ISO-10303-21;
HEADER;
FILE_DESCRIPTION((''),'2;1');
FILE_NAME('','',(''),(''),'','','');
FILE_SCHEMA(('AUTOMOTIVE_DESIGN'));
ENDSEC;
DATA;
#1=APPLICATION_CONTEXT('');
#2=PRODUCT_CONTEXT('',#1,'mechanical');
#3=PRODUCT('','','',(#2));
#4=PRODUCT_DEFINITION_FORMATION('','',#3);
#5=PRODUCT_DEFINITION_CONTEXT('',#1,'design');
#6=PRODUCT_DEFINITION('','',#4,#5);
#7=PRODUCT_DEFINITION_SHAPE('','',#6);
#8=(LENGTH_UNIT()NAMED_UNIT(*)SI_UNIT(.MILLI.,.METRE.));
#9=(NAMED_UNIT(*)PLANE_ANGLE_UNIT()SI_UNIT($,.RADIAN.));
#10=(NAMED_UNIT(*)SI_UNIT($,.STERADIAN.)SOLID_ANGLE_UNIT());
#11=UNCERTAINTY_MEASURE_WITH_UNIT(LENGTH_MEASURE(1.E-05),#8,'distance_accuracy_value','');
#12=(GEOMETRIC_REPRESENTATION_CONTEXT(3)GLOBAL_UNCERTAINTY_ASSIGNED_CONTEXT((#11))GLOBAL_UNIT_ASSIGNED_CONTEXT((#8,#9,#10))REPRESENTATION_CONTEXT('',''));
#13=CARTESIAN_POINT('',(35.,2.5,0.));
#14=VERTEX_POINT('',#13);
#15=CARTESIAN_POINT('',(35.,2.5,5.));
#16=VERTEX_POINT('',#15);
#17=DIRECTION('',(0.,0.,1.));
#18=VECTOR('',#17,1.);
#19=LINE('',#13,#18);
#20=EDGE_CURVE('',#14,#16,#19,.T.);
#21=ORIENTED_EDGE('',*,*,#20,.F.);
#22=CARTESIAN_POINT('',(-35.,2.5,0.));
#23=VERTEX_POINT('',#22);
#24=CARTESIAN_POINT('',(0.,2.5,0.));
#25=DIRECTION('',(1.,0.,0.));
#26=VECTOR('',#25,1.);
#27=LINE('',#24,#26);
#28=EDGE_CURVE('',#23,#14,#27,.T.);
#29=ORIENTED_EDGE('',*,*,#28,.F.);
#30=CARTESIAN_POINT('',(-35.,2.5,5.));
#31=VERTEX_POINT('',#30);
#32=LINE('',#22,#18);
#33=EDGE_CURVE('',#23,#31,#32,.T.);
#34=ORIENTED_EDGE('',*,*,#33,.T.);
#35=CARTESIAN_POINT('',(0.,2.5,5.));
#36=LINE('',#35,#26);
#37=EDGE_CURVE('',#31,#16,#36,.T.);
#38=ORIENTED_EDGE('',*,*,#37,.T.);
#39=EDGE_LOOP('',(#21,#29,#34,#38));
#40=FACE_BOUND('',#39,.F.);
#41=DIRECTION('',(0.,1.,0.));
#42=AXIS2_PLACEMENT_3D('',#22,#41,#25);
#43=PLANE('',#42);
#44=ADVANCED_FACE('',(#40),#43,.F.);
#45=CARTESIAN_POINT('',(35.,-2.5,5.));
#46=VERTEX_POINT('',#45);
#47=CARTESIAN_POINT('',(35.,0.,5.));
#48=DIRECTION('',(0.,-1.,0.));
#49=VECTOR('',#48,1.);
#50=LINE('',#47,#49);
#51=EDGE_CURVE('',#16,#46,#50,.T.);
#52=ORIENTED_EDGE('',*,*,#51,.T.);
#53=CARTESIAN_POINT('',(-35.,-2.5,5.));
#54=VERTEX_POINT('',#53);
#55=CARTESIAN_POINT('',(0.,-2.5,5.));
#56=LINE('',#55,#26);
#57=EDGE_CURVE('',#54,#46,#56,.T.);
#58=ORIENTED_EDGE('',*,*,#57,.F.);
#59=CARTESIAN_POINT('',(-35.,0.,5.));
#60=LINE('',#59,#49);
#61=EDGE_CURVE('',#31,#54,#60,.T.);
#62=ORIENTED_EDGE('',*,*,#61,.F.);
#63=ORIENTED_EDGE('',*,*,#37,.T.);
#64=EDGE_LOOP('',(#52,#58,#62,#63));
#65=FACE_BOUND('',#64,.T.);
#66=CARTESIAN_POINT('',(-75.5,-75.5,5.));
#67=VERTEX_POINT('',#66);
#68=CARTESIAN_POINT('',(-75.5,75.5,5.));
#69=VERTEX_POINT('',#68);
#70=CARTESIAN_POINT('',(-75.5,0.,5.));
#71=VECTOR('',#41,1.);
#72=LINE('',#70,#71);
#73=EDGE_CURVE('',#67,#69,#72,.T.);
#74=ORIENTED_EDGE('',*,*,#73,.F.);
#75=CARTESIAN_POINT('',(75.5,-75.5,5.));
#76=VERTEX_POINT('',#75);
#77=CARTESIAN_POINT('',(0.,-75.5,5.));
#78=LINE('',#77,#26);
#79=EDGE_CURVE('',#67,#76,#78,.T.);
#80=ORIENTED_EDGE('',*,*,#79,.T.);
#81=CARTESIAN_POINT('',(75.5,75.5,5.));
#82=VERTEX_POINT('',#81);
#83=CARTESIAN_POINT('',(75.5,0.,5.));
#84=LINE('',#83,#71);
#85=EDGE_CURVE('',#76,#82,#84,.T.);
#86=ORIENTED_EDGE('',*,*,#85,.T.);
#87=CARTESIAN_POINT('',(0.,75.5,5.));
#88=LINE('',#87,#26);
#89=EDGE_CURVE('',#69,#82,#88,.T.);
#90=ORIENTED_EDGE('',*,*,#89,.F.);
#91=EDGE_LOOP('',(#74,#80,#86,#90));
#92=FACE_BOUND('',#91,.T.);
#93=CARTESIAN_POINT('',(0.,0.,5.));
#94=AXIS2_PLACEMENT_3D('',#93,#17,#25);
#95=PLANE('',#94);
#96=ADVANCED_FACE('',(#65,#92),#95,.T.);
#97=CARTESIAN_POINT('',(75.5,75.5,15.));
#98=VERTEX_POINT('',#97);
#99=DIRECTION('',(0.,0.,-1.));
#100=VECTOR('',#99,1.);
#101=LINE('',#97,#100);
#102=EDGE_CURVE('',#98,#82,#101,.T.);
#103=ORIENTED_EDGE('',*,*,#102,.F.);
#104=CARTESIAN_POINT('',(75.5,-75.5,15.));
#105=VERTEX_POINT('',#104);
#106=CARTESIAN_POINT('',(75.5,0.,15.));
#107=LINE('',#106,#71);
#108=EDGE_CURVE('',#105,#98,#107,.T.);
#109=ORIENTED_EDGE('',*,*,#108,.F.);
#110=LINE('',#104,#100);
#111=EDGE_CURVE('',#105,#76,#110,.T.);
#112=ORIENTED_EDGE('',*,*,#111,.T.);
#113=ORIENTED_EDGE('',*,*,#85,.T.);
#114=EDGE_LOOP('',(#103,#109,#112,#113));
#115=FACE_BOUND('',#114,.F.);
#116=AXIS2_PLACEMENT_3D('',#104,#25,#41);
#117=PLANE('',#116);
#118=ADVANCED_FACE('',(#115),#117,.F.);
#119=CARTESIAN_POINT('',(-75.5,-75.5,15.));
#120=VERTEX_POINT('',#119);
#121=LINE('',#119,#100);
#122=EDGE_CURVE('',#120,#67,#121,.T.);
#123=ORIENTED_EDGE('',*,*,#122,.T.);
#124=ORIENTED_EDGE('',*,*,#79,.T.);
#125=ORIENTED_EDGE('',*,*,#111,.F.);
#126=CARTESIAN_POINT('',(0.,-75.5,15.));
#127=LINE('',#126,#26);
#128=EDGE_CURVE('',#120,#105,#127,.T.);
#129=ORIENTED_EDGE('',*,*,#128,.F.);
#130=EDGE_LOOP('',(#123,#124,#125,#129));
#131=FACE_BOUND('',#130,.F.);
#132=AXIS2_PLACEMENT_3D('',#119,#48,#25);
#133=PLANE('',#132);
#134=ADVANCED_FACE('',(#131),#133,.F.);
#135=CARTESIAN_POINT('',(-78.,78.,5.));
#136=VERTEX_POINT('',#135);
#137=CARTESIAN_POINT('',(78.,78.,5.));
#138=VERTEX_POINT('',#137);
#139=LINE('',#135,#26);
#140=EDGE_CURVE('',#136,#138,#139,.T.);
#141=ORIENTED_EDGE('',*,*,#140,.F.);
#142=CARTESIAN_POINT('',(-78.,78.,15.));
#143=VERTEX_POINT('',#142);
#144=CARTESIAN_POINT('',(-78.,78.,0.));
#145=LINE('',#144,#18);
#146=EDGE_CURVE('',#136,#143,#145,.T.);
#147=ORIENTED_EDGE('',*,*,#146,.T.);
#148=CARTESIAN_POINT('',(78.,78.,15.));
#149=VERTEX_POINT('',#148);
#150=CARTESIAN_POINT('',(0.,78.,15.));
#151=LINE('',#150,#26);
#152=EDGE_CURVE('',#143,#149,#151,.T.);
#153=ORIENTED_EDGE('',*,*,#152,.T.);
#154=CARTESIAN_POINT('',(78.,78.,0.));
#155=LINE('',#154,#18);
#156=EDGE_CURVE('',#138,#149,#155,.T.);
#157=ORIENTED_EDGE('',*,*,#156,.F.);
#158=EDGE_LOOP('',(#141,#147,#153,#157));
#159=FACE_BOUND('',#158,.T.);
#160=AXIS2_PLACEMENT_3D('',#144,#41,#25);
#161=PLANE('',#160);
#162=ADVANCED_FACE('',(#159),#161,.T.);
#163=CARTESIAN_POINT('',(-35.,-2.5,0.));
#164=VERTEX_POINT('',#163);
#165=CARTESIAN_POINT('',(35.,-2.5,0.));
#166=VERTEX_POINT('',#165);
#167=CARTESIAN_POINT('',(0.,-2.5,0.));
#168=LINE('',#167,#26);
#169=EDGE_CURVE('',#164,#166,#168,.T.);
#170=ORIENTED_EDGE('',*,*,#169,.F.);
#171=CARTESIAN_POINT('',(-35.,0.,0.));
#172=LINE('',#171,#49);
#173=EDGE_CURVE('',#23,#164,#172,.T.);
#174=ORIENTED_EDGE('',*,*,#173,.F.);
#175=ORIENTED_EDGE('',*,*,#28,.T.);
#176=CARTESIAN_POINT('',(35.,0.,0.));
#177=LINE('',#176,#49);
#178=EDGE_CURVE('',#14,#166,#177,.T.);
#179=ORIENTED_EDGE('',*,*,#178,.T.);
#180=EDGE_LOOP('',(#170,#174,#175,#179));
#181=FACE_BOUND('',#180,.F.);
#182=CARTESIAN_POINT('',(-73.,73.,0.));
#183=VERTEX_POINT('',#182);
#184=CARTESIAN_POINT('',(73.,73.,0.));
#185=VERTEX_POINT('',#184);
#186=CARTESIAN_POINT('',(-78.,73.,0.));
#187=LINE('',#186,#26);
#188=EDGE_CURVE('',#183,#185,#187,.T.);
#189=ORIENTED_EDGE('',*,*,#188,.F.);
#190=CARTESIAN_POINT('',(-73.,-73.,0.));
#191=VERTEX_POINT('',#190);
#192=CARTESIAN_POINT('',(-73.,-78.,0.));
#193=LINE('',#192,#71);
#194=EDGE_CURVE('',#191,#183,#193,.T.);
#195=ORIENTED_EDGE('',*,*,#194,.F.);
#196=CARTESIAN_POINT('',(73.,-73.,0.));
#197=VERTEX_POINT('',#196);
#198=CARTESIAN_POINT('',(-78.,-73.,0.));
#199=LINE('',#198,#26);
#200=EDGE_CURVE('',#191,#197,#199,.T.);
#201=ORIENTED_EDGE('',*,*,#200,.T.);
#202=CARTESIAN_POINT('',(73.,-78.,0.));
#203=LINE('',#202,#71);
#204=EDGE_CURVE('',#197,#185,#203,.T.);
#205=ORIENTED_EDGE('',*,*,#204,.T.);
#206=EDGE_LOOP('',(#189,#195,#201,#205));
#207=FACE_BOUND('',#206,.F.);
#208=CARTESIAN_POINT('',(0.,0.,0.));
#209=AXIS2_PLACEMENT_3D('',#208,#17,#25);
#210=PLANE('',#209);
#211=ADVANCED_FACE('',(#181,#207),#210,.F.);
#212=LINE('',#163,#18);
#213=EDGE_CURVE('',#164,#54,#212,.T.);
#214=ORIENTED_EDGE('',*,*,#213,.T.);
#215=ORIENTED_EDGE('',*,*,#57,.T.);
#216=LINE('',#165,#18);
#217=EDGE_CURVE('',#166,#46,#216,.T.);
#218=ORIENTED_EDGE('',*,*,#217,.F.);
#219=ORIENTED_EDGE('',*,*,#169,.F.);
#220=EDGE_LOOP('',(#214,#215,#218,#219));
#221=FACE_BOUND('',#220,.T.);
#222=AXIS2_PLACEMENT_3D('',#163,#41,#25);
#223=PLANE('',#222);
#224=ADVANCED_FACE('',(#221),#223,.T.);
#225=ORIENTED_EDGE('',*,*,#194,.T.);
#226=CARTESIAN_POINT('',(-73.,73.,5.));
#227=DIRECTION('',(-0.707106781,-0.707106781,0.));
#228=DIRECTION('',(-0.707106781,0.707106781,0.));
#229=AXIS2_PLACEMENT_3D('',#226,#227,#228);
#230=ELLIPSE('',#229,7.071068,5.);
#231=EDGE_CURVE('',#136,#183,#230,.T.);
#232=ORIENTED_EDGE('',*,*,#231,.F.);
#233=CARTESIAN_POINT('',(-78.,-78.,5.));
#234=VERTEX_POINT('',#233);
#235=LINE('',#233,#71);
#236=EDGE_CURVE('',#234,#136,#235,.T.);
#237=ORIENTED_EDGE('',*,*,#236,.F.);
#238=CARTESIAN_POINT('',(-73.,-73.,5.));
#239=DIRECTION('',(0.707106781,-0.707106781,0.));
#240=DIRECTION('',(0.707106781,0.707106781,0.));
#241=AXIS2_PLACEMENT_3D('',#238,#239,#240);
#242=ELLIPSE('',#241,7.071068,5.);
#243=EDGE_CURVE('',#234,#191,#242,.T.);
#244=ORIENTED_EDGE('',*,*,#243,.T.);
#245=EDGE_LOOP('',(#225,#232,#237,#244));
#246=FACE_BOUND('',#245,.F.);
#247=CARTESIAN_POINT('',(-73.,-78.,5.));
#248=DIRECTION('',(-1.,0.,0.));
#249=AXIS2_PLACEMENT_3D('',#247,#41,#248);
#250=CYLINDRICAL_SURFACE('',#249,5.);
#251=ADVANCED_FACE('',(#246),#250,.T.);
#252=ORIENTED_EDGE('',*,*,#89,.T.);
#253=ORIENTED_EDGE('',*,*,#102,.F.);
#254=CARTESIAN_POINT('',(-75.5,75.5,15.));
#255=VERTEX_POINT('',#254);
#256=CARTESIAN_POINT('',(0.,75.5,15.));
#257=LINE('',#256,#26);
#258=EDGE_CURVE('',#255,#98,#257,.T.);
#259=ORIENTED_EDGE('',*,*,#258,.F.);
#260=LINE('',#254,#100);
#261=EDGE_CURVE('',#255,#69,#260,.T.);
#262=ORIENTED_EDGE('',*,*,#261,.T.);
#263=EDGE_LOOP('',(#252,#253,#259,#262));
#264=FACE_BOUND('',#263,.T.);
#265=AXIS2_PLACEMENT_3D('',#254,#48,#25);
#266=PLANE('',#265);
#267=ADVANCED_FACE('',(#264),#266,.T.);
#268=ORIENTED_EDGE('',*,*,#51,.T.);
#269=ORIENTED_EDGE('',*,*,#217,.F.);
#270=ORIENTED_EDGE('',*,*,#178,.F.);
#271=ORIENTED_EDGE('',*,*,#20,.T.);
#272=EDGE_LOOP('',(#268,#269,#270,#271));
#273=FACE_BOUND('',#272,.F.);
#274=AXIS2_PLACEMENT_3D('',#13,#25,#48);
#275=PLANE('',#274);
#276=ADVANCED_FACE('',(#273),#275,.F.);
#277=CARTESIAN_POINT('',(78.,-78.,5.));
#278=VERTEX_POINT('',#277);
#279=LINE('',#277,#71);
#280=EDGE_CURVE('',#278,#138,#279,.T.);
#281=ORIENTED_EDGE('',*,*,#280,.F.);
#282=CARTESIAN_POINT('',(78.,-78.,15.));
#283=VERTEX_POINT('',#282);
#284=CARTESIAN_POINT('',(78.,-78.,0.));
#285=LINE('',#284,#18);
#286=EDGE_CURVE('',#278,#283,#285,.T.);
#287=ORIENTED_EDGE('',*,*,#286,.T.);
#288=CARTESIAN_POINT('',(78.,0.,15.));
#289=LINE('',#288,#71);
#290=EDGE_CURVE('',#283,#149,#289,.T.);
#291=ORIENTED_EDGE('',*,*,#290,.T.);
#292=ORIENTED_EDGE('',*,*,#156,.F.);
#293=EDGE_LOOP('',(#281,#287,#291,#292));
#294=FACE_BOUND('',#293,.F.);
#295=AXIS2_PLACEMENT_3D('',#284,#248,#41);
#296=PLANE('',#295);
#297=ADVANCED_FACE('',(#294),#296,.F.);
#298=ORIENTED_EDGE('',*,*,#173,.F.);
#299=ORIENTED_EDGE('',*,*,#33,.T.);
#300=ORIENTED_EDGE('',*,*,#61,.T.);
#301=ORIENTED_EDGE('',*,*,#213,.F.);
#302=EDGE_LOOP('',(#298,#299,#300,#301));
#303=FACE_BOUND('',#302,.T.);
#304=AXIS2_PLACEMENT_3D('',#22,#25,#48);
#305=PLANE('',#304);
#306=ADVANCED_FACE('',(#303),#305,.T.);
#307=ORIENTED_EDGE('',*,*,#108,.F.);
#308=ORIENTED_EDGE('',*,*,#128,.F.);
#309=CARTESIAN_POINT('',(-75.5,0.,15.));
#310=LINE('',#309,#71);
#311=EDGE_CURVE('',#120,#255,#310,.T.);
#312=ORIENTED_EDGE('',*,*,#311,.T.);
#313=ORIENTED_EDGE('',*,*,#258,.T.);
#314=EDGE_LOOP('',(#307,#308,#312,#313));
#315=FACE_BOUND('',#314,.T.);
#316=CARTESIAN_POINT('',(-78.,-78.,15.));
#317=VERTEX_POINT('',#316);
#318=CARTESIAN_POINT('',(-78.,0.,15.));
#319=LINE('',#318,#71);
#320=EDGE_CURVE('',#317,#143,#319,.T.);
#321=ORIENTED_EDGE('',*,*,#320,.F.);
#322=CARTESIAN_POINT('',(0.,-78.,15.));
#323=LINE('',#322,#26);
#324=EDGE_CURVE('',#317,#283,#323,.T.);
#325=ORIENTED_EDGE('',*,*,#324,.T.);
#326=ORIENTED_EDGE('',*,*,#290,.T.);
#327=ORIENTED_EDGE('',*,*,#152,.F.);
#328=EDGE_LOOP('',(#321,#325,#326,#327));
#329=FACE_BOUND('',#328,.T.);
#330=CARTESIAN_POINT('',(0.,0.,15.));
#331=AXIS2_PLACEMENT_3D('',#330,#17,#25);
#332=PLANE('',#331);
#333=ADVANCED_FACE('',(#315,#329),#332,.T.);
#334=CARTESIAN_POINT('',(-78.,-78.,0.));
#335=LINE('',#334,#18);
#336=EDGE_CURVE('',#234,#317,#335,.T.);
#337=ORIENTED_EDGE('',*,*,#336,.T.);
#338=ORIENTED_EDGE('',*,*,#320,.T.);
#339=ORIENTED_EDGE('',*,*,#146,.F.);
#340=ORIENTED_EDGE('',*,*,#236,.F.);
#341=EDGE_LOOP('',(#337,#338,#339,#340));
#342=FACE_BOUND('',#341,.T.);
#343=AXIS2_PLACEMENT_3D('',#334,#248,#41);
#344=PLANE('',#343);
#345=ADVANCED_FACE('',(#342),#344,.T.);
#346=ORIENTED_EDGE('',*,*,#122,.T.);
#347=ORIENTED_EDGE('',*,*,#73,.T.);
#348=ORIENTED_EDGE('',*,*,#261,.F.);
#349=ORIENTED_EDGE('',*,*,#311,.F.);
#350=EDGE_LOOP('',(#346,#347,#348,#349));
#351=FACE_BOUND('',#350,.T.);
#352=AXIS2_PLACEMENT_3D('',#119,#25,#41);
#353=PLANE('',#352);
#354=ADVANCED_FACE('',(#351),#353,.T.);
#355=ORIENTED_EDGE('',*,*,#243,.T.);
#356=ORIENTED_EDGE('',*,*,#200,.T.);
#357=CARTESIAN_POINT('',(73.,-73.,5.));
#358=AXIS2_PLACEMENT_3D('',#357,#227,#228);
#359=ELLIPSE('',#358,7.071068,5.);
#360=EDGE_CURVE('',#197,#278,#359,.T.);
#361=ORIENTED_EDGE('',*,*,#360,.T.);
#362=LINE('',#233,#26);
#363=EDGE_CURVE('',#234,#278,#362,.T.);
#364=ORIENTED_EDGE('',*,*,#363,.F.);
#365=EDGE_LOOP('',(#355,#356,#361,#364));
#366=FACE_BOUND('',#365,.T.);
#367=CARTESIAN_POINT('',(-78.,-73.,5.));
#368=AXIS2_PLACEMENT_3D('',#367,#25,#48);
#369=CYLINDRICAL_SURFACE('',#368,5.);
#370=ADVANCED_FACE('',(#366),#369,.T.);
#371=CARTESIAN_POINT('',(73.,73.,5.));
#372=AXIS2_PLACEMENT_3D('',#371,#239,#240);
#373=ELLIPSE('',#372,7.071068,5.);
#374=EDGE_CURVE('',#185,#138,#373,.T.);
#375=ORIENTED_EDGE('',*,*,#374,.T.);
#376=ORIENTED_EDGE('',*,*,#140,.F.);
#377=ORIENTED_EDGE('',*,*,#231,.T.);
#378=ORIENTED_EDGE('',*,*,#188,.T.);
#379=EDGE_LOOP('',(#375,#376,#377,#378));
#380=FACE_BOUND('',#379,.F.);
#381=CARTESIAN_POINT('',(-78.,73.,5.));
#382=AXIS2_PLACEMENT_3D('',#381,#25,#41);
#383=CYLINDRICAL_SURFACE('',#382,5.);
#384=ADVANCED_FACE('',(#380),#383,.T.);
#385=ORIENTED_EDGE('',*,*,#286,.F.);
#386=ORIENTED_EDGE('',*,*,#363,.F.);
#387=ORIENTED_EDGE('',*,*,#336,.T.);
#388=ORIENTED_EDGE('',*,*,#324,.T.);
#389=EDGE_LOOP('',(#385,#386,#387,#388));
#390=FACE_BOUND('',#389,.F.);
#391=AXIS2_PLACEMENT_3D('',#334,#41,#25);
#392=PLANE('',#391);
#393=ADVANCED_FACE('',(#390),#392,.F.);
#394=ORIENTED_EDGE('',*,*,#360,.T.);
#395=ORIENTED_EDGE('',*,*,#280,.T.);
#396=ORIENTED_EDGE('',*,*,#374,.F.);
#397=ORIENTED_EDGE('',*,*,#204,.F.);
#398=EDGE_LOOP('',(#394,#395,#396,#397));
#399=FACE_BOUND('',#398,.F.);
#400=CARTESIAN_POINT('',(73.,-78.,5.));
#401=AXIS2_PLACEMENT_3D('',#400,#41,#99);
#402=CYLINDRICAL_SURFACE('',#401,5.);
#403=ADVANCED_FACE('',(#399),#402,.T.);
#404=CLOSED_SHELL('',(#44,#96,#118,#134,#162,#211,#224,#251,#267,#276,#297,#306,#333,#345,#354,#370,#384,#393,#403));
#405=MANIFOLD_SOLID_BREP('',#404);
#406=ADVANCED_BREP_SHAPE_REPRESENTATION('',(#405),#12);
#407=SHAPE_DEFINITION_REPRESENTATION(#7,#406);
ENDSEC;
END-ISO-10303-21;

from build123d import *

# Parameters (mm, degrees)
F0_W     = 156
F0_H     = 156
F1_DEPTH = 15
F2_W     = 151
F2_H     = 151
F3_DEPTH = 10
F4_R     = 5
F5_W     = 70
F5_H     = 5
F6_DEPTH = 5


with BuildPart() as f1:
    # F0 (on Top) → F1 (new body)
    with BuildSketch(Plane.XY):
        Rectangle(F0_W, F0_H)
    extrude(amount=F1_DEPTH)

    # F2 (on face) → F3 (cut)
    with BuildSketch(Plane.XY.offset(15)):
        Rectangle(F2_W, F2_H)
    extrude(amount=-F3_DEPTH, mode=Mode.SUBTRACT)

    # F4
    f4_edges = [f1.edges().sort_by_distance(p)[0] for p in [
        (78, 0, 0),
        (0, -78, 0),
        (-78, 0, 0),
        (0, 78, 0),
    ]]
    fillet(f4_edges, radius=F4_R)

    # F5 (on face) → F6 (cut)
    with BuildSketch(Plane(origin=(0, 0, 0), x_dir=(1, 0, 0), z_dir=(0, 0, -1))):
        Rectangle(F5_W, F5_H)
    extrude(amount=-F6_DEPTH, mode=Mode.SUBTRACT)


solid = f1.part
